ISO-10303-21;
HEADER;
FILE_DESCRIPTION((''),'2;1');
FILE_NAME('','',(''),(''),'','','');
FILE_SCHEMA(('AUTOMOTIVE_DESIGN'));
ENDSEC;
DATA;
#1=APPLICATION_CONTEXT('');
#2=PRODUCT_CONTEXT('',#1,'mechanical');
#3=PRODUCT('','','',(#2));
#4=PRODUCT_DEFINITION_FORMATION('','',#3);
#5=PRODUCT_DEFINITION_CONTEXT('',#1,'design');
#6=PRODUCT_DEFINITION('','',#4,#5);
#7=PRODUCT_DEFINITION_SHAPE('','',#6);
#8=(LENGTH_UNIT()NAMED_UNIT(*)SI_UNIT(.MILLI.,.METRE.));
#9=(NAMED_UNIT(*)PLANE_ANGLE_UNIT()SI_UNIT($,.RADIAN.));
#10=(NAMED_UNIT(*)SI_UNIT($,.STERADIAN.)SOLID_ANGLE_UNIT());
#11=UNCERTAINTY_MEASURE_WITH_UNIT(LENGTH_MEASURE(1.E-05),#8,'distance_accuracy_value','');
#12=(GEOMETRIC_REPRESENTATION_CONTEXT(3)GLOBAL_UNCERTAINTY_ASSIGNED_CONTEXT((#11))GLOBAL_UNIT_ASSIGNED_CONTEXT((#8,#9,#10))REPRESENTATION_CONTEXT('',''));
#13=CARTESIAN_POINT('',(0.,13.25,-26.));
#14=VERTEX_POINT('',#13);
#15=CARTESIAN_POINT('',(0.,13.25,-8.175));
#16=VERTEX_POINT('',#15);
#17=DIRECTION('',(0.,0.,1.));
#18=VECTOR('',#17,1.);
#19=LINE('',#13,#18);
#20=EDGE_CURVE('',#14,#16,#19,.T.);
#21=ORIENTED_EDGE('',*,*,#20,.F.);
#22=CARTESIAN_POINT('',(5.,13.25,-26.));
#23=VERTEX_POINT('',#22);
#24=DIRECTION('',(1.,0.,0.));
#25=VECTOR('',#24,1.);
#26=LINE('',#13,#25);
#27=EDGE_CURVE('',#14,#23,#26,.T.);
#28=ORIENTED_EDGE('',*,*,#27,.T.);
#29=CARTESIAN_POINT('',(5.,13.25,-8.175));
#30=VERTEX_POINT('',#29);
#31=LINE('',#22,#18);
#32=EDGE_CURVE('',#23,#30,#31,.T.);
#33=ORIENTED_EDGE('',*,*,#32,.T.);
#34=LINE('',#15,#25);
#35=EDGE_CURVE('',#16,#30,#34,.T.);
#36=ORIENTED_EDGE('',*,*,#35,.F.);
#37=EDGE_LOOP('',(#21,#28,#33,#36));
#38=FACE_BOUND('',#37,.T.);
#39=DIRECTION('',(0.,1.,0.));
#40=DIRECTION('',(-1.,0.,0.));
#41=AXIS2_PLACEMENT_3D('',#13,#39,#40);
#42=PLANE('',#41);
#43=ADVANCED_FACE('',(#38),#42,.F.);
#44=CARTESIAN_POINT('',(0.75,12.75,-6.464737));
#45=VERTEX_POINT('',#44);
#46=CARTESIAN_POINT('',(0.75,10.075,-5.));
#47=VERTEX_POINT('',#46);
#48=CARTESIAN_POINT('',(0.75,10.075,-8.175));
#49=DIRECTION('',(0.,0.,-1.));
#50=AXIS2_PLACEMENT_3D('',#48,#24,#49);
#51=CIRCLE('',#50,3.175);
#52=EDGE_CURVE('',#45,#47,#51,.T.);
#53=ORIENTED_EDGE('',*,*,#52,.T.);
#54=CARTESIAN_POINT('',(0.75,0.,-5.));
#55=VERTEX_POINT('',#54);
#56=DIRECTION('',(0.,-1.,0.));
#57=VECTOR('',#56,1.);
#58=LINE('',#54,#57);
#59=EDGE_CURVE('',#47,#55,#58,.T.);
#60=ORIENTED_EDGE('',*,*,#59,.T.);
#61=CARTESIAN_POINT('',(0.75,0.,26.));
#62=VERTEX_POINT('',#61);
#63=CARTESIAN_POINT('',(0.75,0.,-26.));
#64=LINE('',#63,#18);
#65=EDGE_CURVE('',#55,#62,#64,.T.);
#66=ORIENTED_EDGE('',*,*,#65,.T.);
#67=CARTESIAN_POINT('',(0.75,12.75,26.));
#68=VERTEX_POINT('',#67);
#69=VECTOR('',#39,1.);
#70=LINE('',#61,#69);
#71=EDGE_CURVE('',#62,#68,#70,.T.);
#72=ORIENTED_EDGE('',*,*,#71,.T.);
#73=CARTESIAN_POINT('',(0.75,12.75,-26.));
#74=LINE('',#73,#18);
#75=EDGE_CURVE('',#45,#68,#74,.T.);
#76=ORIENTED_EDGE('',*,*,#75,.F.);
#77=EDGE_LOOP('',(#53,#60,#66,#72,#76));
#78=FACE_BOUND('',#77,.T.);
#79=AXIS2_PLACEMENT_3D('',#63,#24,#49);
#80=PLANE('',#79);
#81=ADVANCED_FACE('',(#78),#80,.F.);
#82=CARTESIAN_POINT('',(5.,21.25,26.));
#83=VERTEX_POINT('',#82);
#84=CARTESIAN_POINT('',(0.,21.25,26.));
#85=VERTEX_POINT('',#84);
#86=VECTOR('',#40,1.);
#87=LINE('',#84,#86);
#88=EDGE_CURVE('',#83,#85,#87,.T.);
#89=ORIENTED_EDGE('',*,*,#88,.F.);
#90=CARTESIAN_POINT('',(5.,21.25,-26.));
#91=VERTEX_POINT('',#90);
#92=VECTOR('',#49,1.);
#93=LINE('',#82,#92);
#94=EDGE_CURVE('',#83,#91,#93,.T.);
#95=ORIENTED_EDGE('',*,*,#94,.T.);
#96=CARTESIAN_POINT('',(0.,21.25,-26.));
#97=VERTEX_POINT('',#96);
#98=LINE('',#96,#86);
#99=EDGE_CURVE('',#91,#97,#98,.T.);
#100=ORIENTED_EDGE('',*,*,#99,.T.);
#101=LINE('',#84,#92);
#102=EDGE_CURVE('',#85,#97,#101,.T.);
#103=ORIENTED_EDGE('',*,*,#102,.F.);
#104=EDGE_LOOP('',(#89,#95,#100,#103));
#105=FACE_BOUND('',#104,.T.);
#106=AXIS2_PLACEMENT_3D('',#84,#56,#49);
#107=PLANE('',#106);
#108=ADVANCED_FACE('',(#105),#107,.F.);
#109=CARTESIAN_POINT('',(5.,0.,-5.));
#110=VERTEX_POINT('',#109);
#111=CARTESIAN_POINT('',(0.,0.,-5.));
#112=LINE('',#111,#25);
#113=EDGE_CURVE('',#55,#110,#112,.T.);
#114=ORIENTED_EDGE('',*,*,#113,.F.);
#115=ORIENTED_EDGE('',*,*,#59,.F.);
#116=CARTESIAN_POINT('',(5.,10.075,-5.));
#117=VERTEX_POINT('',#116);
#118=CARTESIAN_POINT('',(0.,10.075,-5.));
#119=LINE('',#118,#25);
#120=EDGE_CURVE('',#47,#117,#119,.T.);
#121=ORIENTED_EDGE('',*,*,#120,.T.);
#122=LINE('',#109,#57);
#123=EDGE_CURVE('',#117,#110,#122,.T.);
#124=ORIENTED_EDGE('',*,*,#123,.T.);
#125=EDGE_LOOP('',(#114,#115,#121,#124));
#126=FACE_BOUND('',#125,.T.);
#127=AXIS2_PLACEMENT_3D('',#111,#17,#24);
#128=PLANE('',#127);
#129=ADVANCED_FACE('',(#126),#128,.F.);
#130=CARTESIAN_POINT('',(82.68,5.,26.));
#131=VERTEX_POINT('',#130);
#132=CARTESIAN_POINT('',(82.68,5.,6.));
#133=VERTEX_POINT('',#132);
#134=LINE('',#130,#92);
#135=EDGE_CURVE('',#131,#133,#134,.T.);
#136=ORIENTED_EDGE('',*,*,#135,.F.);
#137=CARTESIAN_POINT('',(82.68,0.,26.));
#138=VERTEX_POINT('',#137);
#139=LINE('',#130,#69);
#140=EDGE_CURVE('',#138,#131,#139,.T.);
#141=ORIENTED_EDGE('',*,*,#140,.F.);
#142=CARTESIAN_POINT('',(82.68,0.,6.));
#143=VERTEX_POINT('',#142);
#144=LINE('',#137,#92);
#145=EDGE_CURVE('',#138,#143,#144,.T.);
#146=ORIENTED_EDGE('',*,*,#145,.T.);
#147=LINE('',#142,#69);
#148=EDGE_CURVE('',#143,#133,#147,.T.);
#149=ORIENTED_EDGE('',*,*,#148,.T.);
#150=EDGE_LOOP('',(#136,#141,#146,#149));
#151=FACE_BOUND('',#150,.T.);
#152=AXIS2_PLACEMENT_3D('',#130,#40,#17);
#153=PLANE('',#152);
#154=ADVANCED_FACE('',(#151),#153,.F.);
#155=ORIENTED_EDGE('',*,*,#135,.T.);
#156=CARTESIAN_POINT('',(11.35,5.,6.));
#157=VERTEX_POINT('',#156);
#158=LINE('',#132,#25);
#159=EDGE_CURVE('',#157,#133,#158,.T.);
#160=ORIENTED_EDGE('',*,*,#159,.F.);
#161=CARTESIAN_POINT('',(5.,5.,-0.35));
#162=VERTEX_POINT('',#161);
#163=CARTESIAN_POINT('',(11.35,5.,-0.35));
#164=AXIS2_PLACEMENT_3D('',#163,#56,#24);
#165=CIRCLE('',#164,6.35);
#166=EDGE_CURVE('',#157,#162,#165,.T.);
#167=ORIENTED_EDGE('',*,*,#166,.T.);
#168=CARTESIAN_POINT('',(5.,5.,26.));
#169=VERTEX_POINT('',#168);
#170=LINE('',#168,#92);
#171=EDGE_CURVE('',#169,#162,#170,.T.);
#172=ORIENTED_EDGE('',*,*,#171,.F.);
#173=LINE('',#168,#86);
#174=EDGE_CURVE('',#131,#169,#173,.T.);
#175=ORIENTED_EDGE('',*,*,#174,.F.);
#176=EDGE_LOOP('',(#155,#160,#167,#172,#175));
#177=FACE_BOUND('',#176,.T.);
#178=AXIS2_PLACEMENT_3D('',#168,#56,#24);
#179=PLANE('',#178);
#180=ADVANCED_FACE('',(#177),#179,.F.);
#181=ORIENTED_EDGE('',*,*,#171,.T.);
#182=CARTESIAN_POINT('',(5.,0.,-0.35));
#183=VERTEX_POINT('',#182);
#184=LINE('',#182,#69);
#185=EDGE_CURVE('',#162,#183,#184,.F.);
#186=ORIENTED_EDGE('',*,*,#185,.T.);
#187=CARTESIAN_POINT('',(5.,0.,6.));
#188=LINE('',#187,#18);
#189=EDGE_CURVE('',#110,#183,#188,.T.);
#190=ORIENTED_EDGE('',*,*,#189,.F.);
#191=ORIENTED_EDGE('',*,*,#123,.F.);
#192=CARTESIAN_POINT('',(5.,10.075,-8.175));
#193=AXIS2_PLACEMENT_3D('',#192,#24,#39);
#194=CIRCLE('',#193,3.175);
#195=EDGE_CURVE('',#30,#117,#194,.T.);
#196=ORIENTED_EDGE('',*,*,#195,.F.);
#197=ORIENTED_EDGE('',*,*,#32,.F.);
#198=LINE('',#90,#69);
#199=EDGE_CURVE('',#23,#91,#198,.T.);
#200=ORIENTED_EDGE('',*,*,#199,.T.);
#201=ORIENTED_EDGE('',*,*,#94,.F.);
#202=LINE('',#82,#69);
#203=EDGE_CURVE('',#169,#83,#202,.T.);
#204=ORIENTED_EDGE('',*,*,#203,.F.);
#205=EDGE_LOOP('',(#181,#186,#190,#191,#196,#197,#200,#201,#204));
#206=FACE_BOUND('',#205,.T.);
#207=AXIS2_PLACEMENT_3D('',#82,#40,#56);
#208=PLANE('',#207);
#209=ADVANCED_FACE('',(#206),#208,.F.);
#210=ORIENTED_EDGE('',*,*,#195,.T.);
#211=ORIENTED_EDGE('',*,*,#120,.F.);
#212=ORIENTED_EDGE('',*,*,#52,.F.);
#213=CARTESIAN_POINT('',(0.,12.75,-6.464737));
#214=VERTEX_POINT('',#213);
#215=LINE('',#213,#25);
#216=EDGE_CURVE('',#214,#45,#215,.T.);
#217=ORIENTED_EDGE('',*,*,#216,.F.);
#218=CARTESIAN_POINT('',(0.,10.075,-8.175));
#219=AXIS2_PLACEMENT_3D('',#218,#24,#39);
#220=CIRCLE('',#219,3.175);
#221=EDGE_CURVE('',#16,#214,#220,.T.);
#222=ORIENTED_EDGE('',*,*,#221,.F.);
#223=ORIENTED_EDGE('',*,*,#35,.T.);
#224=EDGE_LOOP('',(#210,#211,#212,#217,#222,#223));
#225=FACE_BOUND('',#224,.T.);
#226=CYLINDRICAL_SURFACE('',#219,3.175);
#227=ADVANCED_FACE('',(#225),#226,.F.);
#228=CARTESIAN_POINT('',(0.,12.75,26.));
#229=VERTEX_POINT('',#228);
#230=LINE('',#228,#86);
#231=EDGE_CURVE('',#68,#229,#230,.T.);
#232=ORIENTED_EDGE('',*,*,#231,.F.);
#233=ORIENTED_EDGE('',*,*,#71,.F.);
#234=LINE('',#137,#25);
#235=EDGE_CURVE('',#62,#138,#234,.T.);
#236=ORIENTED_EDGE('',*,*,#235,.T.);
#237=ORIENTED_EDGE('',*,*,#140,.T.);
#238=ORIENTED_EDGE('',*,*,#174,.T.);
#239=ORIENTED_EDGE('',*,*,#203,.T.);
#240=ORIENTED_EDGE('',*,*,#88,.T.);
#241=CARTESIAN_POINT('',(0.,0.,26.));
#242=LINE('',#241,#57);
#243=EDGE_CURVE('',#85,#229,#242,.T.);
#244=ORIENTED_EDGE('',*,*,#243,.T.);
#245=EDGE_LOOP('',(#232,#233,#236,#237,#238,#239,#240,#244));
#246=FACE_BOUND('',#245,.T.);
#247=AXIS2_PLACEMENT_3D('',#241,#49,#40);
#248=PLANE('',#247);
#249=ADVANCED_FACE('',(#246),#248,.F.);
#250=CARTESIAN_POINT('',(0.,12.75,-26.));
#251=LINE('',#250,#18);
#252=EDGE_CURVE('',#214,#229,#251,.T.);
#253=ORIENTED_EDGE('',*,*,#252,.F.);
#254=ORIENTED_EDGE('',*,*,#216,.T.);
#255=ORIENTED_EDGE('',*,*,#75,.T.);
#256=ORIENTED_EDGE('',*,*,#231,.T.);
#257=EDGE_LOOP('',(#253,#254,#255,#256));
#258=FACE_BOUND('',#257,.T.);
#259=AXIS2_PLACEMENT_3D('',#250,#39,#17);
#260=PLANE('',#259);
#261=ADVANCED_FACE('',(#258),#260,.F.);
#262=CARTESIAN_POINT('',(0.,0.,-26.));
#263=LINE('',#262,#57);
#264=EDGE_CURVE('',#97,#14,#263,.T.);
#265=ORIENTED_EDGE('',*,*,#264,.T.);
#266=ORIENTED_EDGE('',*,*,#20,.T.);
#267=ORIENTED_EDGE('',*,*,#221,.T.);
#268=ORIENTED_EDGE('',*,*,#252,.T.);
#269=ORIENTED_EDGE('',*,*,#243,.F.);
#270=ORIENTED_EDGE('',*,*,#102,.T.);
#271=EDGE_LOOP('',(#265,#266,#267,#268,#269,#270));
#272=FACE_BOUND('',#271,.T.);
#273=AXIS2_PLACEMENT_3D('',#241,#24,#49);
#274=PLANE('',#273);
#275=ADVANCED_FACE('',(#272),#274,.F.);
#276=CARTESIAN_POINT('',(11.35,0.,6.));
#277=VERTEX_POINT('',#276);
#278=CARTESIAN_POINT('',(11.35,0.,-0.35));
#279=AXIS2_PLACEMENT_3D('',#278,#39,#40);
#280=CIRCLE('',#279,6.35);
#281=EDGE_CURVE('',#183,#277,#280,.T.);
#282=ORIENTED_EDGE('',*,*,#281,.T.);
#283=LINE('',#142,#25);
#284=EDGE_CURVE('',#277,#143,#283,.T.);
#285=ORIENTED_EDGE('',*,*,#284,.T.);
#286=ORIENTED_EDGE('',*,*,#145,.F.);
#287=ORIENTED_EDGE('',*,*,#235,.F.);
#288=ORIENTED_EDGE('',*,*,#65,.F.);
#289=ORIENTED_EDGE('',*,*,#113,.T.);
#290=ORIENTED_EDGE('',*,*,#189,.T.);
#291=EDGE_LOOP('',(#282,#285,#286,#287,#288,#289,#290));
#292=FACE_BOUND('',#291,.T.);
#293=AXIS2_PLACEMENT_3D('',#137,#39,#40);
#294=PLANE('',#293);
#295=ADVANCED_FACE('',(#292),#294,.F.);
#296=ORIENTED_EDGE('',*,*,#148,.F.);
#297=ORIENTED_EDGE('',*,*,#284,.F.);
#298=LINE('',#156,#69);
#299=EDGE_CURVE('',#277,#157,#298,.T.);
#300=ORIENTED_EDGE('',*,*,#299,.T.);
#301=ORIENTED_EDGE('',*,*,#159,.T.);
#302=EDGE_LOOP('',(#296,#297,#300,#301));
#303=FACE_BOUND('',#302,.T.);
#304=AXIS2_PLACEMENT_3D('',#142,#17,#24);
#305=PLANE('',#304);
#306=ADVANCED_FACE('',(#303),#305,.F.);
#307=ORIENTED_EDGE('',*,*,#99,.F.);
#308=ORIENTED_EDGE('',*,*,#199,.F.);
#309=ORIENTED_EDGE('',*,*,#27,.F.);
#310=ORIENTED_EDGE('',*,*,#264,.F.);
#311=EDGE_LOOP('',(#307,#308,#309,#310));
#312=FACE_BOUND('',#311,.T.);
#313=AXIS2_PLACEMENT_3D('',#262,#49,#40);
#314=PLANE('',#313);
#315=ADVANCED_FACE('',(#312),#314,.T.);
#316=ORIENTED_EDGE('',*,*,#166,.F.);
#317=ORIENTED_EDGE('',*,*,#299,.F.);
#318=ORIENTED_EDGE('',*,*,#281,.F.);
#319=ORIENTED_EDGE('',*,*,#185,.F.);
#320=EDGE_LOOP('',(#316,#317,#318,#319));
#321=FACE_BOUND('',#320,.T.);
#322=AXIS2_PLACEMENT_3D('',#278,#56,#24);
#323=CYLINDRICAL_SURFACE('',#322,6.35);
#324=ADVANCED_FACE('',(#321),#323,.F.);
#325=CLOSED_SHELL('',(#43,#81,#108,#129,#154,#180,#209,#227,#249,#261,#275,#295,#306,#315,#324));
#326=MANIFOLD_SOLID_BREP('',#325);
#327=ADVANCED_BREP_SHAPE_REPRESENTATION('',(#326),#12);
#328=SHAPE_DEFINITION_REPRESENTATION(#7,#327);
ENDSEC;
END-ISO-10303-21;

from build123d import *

# Parameters (mm, degrees)
EXTRUDE1_DEPTH     = 26
SKETCH24_W         = 77.68
SKETCH24_H         = 32
CUT_EXTRUDE1_DEPTH = 89.181885328
FILLET1_R          = 6.35
SKETCH25_W         = 0.75
SKETCH25_H         = 12.75
CUT_EXTRUDE2_DEPTH = 100.95771556
CUT_EXTRUDE5_DEPTH = 85.627093179


with BuildPart() as part:
    # Sketch1 → Extrude1 (new, symmetric)
    with BuildSketch(Plane.XY):
        Polygon((0, 0), (0, 21.25), (5, 21.25), (5, 5), (82.68, 5), (82.68, 0), align=None)
    extrude(amount=EXTRUDE1_DEPTH, both=True)

    # Sketch24 → Cut-Extrude1 (cut, through all)
    with BuildSketch(Plane(origin=(0, 5, 0), x_dir=(1, 0, 0), z_dir=(0, 1, 0))):
        with Locations((43.84, 10)):
            Rectangle(SKETCH24_W, SKETCH24_H)
    extrude(amount=-CUT_EXTRUDE1_DEPTH, mode=Mode.SUBTRACT)

    # Fillet1
    fillet1_edges = [part.edges().sort_by_distance(p)[0] for p in [
        (5, 2.5, 6),
    ]]
    fillet(fillet1_edges, radius=FILLET1_R)

    # Sketch25 → Cut-Extrude2 (cut, through all)
    with BuildSketch(Plane.XY.offset(26)):
        with Locations((0.375, 6.375)):
            Rectangle(SKETCH25_W, SKETCH25_H)
    extrude(amount=-CUT_EXTRUDE2_DEPTH, mode=Mode.SUBTRACT)

    # Sketch30 → Cut-Extrude5 (cut, through all)
    with BuildSketch(Plane(origin=(5, 0, 0), x_dir=(0, 0, -1), z_dir=(1, 0, 0))):
        with BuildLine():
            Line((26, 0), (5, 0))
            Line((5, 0), (5, 10.075))
            ThreePointArc((5, 10.075), (5.92993597, 12.32006403), (8.175, 13.25))
            Line((8.175, 13.25), (26, 13.25))
            Line((26, 13.25), (26, 0))
        make_face()
    extrude(amount=-CUT_EXTRUDE5_DEPTH, mode=Mode.SUBTRACT)


solid = part.part
